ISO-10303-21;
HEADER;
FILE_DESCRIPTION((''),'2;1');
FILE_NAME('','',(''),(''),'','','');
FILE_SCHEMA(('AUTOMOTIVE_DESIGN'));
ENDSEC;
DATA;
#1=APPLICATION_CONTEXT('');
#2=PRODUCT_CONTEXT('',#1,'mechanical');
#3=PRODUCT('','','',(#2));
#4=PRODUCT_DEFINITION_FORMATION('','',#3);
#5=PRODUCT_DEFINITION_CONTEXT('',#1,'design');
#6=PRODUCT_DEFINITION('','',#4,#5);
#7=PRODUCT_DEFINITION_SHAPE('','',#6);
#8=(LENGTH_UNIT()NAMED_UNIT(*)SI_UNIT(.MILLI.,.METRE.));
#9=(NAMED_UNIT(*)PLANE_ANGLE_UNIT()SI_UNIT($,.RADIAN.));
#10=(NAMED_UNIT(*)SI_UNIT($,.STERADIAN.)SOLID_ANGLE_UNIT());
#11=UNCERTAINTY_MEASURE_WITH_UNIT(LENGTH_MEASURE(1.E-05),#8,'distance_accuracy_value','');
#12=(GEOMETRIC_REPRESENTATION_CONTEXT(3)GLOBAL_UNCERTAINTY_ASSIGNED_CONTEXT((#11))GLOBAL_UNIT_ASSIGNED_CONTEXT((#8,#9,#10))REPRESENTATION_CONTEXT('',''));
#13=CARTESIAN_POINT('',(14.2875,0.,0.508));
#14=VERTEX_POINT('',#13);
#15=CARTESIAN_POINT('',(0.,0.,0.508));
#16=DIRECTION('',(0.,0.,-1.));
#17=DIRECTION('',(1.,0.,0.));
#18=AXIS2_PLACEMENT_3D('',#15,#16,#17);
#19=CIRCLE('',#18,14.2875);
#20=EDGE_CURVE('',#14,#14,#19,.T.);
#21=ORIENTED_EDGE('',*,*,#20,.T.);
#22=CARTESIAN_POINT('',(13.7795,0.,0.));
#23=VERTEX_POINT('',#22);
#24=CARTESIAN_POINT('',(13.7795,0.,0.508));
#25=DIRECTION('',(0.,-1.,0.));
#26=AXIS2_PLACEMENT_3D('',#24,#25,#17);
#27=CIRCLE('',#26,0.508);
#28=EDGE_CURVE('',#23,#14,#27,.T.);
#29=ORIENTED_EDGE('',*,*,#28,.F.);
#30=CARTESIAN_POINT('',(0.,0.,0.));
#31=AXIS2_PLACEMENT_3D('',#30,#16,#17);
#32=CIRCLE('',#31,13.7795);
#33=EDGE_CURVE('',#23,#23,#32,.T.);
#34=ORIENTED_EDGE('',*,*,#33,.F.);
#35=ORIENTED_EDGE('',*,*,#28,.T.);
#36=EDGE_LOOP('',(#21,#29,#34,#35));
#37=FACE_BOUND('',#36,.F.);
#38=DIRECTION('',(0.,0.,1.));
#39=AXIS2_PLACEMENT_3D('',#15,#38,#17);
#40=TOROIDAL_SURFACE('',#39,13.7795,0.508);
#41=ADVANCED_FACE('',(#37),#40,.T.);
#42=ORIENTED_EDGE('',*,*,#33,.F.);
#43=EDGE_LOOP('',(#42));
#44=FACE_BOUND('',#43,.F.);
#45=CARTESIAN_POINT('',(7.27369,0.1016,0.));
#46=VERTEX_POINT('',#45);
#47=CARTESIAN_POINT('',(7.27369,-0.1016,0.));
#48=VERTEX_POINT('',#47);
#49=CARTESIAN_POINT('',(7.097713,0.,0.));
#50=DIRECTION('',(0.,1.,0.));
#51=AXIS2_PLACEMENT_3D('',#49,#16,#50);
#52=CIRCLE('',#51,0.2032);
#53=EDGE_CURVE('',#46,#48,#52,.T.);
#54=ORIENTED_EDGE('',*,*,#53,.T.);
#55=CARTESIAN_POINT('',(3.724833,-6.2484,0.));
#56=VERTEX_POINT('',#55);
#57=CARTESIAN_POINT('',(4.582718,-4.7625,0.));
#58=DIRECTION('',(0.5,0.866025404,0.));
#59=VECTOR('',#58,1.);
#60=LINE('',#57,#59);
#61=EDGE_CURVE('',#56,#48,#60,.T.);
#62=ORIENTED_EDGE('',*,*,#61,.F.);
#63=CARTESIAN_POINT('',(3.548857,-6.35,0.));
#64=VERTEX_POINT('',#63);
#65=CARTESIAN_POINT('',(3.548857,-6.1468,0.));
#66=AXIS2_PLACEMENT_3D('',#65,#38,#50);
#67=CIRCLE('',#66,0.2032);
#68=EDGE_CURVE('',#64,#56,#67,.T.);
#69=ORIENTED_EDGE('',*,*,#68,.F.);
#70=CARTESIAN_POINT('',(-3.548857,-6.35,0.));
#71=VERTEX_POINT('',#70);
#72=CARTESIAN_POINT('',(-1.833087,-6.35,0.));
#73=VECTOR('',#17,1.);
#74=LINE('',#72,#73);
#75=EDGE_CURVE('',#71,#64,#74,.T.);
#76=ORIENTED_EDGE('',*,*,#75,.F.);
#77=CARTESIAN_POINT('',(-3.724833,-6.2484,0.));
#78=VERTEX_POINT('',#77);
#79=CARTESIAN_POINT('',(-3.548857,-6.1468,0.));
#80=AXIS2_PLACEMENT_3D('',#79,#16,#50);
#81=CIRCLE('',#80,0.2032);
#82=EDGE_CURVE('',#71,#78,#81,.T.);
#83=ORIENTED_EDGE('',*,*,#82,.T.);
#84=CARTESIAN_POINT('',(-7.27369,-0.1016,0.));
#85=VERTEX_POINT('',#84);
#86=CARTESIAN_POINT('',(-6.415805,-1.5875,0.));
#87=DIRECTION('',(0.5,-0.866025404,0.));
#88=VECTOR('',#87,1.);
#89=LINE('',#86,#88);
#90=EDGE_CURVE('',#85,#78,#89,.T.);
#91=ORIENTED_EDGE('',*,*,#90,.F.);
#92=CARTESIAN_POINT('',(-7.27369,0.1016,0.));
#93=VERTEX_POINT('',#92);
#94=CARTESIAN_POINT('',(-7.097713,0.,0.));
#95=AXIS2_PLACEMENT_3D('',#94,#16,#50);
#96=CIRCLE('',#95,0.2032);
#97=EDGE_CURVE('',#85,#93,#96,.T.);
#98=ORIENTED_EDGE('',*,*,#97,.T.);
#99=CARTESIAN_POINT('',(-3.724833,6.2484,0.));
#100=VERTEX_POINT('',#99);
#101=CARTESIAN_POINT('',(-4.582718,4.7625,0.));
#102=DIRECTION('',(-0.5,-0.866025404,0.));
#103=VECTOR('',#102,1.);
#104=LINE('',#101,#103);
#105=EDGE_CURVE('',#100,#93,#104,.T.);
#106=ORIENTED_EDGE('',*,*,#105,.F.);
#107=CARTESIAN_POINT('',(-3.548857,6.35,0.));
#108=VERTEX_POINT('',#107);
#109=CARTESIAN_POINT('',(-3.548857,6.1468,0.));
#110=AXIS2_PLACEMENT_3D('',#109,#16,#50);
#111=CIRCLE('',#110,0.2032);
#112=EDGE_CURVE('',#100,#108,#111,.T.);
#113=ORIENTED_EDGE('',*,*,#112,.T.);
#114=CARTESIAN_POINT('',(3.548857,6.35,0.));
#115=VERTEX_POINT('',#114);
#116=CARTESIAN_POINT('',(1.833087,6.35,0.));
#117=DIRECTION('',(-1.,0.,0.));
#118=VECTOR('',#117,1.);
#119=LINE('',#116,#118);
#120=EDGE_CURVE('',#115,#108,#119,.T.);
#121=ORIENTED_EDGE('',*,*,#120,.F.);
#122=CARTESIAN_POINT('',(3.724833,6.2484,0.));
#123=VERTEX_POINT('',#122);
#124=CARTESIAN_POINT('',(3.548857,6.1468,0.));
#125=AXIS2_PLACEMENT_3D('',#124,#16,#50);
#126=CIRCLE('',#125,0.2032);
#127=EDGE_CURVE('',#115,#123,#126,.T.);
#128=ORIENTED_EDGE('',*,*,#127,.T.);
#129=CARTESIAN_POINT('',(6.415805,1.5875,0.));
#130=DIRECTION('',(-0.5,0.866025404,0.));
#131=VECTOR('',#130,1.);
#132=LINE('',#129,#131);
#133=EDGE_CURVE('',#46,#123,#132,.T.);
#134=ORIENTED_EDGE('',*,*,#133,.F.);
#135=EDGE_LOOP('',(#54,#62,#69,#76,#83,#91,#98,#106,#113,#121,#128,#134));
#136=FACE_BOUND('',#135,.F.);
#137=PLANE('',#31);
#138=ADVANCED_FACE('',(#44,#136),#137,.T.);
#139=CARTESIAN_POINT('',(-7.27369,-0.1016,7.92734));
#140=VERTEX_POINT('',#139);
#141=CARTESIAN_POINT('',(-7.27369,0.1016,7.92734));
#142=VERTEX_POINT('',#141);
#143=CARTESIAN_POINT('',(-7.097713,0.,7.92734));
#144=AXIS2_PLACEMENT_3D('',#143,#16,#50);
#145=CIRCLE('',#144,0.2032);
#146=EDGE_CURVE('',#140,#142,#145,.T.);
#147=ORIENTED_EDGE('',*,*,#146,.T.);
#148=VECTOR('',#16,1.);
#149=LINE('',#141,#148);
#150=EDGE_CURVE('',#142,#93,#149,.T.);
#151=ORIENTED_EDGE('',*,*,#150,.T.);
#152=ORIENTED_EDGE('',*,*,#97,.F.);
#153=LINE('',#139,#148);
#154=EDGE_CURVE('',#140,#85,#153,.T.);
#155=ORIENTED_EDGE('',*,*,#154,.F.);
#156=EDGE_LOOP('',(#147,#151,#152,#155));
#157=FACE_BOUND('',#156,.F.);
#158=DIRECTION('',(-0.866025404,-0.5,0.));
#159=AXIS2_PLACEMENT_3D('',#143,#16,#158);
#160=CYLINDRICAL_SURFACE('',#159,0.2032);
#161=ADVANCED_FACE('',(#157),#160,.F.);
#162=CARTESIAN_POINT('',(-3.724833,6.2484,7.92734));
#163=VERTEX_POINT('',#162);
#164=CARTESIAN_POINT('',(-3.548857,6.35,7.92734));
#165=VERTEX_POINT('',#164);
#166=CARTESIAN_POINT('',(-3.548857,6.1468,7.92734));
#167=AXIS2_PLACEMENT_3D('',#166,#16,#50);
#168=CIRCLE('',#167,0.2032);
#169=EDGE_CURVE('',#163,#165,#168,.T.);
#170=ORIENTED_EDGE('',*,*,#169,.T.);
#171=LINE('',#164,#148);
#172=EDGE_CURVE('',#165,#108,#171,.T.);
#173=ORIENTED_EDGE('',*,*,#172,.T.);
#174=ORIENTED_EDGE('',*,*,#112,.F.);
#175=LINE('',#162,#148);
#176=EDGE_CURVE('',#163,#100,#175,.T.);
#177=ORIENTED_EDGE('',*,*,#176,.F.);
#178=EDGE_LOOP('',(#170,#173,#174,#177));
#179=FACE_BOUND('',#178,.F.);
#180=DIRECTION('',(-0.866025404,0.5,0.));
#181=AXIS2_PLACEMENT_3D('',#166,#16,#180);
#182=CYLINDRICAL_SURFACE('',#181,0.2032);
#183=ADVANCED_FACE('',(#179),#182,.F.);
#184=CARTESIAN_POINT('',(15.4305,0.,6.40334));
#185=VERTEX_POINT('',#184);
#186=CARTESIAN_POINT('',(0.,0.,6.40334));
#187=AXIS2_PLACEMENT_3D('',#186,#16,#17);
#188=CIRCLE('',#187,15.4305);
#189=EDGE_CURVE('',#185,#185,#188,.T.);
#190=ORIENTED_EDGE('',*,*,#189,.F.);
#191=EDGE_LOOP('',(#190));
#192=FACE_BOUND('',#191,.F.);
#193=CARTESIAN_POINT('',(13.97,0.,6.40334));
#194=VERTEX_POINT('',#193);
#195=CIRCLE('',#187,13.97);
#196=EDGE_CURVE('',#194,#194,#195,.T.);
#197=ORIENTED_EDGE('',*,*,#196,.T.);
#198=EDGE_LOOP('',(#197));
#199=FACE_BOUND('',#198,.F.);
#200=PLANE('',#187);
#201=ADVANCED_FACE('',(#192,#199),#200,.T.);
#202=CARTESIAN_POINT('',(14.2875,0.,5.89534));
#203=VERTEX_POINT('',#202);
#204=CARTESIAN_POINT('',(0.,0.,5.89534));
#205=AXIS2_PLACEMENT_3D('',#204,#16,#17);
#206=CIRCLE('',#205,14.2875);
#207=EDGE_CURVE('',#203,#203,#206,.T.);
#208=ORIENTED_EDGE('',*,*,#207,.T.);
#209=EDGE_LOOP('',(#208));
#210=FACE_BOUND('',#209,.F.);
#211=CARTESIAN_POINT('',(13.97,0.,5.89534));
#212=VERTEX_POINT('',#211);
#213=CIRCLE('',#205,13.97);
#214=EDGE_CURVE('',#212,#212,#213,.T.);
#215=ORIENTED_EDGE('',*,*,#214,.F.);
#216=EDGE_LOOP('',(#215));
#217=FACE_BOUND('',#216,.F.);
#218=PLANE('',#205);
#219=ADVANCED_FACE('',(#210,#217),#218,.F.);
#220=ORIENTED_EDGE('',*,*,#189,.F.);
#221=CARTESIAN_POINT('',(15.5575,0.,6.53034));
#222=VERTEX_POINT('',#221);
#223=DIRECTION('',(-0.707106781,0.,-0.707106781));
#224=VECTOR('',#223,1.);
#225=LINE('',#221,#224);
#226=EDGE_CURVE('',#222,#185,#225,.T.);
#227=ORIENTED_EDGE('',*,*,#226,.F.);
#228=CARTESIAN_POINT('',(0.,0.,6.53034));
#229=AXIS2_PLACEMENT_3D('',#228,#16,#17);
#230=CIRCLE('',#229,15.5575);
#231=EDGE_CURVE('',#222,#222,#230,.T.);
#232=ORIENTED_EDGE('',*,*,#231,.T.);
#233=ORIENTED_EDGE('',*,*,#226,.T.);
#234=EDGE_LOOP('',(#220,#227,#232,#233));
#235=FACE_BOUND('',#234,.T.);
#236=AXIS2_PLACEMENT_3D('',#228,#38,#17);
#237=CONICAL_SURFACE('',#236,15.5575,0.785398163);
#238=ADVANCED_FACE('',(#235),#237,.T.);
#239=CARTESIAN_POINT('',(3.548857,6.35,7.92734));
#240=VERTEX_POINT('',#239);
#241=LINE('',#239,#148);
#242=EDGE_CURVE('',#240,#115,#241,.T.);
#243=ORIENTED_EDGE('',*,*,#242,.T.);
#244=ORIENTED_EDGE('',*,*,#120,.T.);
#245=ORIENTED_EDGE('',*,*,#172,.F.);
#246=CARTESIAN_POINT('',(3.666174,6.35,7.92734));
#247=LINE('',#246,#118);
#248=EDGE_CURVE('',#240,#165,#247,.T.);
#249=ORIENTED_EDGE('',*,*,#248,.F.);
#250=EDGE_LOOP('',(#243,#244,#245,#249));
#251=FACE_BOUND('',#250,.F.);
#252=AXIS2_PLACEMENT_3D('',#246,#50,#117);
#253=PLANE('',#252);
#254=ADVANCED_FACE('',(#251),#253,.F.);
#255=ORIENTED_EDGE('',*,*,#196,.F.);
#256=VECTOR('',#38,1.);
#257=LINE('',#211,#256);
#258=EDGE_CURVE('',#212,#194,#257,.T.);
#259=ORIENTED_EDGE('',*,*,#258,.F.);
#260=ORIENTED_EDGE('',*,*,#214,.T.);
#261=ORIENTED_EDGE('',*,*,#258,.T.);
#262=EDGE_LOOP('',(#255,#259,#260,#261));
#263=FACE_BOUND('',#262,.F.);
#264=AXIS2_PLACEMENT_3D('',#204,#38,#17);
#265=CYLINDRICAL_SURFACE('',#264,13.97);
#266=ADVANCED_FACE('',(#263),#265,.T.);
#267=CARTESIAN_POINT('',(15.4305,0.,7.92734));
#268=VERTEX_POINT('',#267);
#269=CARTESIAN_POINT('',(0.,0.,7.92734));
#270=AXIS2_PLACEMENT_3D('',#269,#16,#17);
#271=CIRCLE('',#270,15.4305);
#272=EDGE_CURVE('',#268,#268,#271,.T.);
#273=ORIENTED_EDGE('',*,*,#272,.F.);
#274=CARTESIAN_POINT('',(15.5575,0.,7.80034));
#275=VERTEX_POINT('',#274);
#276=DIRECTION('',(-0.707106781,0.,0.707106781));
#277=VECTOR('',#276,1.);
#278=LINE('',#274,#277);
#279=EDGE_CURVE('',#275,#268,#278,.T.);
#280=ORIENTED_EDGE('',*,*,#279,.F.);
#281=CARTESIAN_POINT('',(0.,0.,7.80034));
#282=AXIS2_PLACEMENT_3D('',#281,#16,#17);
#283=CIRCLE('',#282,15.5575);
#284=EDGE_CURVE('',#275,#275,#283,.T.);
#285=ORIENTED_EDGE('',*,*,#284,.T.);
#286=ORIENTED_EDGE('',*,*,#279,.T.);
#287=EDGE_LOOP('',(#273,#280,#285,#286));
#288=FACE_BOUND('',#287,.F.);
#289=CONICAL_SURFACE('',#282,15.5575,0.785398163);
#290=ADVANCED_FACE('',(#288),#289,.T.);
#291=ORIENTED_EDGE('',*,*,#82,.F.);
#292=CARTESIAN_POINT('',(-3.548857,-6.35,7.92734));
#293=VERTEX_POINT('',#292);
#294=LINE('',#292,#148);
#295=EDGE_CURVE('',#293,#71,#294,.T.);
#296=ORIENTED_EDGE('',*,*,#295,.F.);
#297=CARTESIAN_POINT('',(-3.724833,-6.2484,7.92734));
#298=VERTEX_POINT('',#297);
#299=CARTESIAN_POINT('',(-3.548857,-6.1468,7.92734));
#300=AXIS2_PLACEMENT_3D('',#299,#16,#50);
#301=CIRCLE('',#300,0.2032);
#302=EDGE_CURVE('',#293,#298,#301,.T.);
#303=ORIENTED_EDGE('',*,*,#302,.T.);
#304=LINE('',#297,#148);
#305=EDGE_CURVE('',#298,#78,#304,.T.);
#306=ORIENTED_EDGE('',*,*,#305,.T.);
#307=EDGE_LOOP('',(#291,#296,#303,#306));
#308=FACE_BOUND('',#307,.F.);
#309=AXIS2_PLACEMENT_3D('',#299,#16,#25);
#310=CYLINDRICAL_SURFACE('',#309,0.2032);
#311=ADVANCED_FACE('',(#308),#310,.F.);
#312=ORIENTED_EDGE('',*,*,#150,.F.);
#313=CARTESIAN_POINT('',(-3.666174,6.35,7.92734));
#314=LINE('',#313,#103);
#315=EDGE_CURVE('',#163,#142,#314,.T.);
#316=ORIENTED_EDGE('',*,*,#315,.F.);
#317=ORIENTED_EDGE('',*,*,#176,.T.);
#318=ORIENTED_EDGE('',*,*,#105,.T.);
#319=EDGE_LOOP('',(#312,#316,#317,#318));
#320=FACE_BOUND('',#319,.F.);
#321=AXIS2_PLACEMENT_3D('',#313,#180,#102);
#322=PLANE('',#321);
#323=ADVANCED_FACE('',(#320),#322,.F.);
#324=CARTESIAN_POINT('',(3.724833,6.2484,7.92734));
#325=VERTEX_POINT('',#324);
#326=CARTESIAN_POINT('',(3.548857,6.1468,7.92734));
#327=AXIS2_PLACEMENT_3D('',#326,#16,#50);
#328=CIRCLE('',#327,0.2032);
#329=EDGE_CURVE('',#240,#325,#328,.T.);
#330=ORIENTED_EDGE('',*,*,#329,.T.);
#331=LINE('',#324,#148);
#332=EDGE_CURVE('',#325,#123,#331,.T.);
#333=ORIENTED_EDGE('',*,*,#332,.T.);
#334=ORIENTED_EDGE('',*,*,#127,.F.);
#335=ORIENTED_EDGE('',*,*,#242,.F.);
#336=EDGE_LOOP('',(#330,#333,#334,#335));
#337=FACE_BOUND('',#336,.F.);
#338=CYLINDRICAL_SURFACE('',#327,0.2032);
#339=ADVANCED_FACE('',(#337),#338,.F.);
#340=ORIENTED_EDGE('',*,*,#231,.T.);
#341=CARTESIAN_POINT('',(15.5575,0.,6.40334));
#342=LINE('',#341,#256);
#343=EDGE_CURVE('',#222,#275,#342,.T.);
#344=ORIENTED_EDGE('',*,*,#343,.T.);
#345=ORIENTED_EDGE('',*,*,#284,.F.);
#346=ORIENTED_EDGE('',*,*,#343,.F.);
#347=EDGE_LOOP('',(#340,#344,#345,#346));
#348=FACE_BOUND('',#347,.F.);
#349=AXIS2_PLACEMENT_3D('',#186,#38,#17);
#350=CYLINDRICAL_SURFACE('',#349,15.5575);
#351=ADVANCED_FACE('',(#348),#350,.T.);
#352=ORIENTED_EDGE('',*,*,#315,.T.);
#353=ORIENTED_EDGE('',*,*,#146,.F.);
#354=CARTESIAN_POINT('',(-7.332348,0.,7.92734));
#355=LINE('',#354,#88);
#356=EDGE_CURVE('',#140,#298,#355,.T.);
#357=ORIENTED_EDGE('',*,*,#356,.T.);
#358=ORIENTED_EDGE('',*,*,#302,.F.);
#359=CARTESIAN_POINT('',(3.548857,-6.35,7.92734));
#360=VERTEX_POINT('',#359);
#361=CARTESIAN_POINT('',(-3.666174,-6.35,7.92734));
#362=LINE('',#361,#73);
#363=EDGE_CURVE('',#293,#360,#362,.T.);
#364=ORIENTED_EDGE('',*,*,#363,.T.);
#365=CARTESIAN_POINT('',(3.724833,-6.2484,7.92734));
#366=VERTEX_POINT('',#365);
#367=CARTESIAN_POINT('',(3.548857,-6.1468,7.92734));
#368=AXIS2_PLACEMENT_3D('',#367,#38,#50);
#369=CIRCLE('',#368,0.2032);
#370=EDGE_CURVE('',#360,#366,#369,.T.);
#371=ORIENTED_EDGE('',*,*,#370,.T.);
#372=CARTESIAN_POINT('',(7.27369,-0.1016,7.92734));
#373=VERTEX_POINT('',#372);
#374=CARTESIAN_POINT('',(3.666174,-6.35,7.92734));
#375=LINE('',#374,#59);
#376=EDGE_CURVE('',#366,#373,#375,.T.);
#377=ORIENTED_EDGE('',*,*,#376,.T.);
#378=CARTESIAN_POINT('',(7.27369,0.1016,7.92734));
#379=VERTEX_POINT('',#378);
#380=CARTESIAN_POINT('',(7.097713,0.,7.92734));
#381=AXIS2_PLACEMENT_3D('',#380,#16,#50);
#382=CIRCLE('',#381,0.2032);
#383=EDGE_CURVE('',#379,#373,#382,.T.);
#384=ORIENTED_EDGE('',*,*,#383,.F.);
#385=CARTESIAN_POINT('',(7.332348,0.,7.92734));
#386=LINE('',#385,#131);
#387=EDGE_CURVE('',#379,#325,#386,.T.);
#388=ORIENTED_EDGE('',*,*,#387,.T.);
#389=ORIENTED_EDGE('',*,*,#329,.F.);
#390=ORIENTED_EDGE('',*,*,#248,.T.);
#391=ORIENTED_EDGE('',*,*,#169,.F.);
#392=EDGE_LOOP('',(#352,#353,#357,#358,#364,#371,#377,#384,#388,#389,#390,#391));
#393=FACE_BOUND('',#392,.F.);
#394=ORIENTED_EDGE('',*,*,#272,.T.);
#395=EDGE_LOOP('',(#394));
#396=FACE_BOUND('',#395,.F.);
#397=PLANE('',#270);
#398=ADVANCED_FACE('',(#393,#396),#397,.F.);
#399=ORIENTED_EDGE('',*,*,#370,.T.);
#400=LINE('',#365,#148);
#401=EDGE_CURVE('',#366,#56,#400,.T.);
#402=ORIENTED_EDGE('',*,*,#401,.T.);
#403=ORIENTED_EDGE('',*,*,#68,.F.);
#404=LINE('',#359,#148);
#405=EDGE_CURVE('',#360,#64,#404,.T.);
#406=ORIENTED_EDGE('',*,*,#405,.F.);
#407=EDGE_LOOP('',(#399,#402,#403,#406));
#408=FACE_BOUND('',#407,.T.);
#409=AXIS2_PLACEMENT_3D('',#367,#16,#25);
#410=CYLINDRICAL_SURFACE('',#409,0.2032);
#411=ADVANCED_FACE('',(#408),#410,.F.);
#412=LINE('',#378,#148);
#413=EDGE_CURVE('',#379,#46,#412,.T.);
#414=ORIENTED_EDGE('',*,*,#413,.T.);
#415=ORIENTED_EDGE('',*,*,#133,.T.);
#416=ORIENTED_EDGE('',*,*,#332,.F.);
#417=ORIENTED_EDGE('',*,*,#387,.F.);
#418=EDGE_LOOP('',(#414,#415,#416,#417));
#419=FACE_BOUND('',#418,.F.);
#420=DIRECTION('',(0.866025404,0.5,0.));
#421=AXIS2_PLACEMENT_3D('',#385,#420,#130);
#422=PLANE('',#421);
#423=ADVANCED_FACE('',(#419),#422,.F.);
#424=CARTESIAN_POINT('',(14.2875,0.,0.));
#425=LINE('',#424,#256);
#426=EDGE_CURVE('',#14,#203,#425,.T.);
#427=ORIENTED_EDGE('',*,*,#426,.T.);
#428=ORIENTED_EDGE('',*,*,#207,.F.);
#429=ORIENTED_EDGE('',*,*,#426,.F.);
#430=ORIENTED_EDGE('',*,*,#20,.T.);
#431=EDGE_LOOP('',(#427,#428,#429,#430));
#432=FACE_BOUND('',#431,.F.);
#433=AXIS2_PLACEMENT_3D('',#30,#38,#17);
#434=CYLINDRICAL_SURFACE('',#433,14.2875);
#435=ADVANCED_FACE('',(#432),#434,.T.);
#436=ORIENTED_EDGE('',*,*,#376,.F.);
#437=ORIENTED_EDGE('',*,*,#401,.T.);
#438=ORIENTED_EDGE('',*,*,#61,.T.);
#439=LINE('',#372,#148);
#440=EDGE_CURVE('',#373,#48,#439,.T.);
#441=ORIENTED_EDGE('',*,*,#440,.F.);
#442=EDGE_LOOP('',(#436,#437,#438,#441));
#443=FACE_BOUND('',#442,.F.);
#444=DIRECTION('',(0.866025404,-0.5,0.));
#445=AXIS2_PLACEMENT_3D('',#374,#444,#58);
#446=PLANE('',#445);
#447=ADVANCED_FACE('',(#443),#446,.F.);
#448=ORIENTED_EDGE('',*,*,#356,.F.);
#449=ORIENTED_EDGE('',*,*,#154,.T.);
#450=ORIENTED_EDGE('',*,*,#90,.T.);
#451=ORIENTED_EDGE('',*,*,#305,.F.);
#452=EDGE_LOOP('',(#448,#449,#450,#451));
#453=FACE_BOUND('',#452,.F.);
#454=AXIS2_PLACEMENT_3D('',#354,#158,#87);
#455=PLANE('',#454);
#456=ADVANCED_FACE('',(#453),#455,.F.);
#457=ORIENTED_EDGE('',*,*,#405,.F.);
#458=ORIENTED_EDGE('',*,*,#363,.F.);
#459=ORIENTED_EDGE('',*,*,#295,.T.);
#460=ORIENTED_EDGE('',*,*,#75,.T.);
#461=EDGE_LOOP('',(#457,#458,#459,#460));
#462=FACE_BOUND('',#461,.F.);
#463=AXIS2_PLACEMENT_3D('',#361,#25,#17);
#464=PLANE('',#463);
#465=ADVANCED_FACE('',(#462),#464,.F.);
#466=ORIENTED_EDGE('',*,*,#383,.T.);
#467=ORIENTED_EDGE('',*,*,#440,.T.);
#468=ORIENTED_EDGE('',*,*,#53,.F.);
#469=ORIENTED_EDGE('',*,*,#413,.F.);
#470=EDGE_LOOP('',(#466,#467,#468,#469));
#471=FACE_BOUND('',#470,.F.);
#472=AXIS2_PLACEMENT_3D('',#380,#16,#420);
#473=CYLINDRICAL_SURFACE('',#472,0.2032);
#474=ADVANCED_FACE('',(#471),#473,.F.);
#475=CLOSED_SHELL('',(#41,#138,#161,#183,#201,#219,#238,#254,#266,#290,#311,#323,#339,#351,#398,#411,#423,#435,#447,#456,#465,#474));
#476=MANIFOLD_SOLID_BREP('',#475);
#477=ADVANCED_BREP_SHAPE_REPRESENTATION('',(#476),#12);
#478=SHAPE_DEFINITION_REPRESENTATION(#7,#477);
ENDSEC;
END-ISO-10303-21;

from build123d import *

# Parameters (mm, degrees)
CUT_EXTRUDE1_DEPTH = 8.92734
CHAMFER1_SIZE      = 0.127
FILLET1_R          = 0.2032
FILLET2_R          = 0.508


with BuildPart() as part:
    # Sketch1 → Revolve1 (revolve)
    with BuildSketch(Plane.XZ):
        Polygon((15.4305, 7.92734), (0, 7.92734), (0, 0), (14.2875, 0), (14.2875, 5.89534), (13.97, 5.89534), (13.97, 6.40334), (15.5575, 6.40334), (15.5575, 7.80034), align=None)
    revolve(axis=Axis((0, 0, 7.92734), (0, 0, -1)))

    # Sketch2 → Cut-Extrude1 (cut, through all)
    with BuildSketch(Plane.XY.offset(7.92734)):
        Polygon((3.666174209, -6.35), (7.332348419, 0), (3.666174209, 6.35), (-3.666174209, 6.35), (-7.332348419, 0), (-3.666174209, -6.35), align=None)
    extrude(amount=-CUT_EXTRUDE1_DEPTH, mode=Mode.SUBTRACT)

    # Chamfer1
    chamfer1_edges = [part.edges().sort_by_distance(p)[0] for p in [
        (-15.5575, 0, 6.40334),
    ]]
    chamfer(chamfer1_edges, length=CHAMFER1_SIZE)

    # Fillet1
    fillet1_edges = [part.edges().sort_by_distance(p)[0] for p in [
        (3.666174209, -6.35, 3.96367),
        (-3.666174209, -6.35, 3.96367),
        (-7.332348419, 0, 3.96367),
        (-3.666174209, 6.35, 3.96367),
        (3.666174209, 6.35, 3.96367),
        (7.332348419, 0, 3.96367),
    ]]
    fillet(fillet1_edges, radius=FILLET1_R)

    # Fillet2
    fillet2_edges = [part.edges().sort_by_distance(p)[0] for p in [
        (-14.2875, 0, 0),
    ]]
    fillet(fillet2_edges, radius=FILLET2_R)


solid = part.part
